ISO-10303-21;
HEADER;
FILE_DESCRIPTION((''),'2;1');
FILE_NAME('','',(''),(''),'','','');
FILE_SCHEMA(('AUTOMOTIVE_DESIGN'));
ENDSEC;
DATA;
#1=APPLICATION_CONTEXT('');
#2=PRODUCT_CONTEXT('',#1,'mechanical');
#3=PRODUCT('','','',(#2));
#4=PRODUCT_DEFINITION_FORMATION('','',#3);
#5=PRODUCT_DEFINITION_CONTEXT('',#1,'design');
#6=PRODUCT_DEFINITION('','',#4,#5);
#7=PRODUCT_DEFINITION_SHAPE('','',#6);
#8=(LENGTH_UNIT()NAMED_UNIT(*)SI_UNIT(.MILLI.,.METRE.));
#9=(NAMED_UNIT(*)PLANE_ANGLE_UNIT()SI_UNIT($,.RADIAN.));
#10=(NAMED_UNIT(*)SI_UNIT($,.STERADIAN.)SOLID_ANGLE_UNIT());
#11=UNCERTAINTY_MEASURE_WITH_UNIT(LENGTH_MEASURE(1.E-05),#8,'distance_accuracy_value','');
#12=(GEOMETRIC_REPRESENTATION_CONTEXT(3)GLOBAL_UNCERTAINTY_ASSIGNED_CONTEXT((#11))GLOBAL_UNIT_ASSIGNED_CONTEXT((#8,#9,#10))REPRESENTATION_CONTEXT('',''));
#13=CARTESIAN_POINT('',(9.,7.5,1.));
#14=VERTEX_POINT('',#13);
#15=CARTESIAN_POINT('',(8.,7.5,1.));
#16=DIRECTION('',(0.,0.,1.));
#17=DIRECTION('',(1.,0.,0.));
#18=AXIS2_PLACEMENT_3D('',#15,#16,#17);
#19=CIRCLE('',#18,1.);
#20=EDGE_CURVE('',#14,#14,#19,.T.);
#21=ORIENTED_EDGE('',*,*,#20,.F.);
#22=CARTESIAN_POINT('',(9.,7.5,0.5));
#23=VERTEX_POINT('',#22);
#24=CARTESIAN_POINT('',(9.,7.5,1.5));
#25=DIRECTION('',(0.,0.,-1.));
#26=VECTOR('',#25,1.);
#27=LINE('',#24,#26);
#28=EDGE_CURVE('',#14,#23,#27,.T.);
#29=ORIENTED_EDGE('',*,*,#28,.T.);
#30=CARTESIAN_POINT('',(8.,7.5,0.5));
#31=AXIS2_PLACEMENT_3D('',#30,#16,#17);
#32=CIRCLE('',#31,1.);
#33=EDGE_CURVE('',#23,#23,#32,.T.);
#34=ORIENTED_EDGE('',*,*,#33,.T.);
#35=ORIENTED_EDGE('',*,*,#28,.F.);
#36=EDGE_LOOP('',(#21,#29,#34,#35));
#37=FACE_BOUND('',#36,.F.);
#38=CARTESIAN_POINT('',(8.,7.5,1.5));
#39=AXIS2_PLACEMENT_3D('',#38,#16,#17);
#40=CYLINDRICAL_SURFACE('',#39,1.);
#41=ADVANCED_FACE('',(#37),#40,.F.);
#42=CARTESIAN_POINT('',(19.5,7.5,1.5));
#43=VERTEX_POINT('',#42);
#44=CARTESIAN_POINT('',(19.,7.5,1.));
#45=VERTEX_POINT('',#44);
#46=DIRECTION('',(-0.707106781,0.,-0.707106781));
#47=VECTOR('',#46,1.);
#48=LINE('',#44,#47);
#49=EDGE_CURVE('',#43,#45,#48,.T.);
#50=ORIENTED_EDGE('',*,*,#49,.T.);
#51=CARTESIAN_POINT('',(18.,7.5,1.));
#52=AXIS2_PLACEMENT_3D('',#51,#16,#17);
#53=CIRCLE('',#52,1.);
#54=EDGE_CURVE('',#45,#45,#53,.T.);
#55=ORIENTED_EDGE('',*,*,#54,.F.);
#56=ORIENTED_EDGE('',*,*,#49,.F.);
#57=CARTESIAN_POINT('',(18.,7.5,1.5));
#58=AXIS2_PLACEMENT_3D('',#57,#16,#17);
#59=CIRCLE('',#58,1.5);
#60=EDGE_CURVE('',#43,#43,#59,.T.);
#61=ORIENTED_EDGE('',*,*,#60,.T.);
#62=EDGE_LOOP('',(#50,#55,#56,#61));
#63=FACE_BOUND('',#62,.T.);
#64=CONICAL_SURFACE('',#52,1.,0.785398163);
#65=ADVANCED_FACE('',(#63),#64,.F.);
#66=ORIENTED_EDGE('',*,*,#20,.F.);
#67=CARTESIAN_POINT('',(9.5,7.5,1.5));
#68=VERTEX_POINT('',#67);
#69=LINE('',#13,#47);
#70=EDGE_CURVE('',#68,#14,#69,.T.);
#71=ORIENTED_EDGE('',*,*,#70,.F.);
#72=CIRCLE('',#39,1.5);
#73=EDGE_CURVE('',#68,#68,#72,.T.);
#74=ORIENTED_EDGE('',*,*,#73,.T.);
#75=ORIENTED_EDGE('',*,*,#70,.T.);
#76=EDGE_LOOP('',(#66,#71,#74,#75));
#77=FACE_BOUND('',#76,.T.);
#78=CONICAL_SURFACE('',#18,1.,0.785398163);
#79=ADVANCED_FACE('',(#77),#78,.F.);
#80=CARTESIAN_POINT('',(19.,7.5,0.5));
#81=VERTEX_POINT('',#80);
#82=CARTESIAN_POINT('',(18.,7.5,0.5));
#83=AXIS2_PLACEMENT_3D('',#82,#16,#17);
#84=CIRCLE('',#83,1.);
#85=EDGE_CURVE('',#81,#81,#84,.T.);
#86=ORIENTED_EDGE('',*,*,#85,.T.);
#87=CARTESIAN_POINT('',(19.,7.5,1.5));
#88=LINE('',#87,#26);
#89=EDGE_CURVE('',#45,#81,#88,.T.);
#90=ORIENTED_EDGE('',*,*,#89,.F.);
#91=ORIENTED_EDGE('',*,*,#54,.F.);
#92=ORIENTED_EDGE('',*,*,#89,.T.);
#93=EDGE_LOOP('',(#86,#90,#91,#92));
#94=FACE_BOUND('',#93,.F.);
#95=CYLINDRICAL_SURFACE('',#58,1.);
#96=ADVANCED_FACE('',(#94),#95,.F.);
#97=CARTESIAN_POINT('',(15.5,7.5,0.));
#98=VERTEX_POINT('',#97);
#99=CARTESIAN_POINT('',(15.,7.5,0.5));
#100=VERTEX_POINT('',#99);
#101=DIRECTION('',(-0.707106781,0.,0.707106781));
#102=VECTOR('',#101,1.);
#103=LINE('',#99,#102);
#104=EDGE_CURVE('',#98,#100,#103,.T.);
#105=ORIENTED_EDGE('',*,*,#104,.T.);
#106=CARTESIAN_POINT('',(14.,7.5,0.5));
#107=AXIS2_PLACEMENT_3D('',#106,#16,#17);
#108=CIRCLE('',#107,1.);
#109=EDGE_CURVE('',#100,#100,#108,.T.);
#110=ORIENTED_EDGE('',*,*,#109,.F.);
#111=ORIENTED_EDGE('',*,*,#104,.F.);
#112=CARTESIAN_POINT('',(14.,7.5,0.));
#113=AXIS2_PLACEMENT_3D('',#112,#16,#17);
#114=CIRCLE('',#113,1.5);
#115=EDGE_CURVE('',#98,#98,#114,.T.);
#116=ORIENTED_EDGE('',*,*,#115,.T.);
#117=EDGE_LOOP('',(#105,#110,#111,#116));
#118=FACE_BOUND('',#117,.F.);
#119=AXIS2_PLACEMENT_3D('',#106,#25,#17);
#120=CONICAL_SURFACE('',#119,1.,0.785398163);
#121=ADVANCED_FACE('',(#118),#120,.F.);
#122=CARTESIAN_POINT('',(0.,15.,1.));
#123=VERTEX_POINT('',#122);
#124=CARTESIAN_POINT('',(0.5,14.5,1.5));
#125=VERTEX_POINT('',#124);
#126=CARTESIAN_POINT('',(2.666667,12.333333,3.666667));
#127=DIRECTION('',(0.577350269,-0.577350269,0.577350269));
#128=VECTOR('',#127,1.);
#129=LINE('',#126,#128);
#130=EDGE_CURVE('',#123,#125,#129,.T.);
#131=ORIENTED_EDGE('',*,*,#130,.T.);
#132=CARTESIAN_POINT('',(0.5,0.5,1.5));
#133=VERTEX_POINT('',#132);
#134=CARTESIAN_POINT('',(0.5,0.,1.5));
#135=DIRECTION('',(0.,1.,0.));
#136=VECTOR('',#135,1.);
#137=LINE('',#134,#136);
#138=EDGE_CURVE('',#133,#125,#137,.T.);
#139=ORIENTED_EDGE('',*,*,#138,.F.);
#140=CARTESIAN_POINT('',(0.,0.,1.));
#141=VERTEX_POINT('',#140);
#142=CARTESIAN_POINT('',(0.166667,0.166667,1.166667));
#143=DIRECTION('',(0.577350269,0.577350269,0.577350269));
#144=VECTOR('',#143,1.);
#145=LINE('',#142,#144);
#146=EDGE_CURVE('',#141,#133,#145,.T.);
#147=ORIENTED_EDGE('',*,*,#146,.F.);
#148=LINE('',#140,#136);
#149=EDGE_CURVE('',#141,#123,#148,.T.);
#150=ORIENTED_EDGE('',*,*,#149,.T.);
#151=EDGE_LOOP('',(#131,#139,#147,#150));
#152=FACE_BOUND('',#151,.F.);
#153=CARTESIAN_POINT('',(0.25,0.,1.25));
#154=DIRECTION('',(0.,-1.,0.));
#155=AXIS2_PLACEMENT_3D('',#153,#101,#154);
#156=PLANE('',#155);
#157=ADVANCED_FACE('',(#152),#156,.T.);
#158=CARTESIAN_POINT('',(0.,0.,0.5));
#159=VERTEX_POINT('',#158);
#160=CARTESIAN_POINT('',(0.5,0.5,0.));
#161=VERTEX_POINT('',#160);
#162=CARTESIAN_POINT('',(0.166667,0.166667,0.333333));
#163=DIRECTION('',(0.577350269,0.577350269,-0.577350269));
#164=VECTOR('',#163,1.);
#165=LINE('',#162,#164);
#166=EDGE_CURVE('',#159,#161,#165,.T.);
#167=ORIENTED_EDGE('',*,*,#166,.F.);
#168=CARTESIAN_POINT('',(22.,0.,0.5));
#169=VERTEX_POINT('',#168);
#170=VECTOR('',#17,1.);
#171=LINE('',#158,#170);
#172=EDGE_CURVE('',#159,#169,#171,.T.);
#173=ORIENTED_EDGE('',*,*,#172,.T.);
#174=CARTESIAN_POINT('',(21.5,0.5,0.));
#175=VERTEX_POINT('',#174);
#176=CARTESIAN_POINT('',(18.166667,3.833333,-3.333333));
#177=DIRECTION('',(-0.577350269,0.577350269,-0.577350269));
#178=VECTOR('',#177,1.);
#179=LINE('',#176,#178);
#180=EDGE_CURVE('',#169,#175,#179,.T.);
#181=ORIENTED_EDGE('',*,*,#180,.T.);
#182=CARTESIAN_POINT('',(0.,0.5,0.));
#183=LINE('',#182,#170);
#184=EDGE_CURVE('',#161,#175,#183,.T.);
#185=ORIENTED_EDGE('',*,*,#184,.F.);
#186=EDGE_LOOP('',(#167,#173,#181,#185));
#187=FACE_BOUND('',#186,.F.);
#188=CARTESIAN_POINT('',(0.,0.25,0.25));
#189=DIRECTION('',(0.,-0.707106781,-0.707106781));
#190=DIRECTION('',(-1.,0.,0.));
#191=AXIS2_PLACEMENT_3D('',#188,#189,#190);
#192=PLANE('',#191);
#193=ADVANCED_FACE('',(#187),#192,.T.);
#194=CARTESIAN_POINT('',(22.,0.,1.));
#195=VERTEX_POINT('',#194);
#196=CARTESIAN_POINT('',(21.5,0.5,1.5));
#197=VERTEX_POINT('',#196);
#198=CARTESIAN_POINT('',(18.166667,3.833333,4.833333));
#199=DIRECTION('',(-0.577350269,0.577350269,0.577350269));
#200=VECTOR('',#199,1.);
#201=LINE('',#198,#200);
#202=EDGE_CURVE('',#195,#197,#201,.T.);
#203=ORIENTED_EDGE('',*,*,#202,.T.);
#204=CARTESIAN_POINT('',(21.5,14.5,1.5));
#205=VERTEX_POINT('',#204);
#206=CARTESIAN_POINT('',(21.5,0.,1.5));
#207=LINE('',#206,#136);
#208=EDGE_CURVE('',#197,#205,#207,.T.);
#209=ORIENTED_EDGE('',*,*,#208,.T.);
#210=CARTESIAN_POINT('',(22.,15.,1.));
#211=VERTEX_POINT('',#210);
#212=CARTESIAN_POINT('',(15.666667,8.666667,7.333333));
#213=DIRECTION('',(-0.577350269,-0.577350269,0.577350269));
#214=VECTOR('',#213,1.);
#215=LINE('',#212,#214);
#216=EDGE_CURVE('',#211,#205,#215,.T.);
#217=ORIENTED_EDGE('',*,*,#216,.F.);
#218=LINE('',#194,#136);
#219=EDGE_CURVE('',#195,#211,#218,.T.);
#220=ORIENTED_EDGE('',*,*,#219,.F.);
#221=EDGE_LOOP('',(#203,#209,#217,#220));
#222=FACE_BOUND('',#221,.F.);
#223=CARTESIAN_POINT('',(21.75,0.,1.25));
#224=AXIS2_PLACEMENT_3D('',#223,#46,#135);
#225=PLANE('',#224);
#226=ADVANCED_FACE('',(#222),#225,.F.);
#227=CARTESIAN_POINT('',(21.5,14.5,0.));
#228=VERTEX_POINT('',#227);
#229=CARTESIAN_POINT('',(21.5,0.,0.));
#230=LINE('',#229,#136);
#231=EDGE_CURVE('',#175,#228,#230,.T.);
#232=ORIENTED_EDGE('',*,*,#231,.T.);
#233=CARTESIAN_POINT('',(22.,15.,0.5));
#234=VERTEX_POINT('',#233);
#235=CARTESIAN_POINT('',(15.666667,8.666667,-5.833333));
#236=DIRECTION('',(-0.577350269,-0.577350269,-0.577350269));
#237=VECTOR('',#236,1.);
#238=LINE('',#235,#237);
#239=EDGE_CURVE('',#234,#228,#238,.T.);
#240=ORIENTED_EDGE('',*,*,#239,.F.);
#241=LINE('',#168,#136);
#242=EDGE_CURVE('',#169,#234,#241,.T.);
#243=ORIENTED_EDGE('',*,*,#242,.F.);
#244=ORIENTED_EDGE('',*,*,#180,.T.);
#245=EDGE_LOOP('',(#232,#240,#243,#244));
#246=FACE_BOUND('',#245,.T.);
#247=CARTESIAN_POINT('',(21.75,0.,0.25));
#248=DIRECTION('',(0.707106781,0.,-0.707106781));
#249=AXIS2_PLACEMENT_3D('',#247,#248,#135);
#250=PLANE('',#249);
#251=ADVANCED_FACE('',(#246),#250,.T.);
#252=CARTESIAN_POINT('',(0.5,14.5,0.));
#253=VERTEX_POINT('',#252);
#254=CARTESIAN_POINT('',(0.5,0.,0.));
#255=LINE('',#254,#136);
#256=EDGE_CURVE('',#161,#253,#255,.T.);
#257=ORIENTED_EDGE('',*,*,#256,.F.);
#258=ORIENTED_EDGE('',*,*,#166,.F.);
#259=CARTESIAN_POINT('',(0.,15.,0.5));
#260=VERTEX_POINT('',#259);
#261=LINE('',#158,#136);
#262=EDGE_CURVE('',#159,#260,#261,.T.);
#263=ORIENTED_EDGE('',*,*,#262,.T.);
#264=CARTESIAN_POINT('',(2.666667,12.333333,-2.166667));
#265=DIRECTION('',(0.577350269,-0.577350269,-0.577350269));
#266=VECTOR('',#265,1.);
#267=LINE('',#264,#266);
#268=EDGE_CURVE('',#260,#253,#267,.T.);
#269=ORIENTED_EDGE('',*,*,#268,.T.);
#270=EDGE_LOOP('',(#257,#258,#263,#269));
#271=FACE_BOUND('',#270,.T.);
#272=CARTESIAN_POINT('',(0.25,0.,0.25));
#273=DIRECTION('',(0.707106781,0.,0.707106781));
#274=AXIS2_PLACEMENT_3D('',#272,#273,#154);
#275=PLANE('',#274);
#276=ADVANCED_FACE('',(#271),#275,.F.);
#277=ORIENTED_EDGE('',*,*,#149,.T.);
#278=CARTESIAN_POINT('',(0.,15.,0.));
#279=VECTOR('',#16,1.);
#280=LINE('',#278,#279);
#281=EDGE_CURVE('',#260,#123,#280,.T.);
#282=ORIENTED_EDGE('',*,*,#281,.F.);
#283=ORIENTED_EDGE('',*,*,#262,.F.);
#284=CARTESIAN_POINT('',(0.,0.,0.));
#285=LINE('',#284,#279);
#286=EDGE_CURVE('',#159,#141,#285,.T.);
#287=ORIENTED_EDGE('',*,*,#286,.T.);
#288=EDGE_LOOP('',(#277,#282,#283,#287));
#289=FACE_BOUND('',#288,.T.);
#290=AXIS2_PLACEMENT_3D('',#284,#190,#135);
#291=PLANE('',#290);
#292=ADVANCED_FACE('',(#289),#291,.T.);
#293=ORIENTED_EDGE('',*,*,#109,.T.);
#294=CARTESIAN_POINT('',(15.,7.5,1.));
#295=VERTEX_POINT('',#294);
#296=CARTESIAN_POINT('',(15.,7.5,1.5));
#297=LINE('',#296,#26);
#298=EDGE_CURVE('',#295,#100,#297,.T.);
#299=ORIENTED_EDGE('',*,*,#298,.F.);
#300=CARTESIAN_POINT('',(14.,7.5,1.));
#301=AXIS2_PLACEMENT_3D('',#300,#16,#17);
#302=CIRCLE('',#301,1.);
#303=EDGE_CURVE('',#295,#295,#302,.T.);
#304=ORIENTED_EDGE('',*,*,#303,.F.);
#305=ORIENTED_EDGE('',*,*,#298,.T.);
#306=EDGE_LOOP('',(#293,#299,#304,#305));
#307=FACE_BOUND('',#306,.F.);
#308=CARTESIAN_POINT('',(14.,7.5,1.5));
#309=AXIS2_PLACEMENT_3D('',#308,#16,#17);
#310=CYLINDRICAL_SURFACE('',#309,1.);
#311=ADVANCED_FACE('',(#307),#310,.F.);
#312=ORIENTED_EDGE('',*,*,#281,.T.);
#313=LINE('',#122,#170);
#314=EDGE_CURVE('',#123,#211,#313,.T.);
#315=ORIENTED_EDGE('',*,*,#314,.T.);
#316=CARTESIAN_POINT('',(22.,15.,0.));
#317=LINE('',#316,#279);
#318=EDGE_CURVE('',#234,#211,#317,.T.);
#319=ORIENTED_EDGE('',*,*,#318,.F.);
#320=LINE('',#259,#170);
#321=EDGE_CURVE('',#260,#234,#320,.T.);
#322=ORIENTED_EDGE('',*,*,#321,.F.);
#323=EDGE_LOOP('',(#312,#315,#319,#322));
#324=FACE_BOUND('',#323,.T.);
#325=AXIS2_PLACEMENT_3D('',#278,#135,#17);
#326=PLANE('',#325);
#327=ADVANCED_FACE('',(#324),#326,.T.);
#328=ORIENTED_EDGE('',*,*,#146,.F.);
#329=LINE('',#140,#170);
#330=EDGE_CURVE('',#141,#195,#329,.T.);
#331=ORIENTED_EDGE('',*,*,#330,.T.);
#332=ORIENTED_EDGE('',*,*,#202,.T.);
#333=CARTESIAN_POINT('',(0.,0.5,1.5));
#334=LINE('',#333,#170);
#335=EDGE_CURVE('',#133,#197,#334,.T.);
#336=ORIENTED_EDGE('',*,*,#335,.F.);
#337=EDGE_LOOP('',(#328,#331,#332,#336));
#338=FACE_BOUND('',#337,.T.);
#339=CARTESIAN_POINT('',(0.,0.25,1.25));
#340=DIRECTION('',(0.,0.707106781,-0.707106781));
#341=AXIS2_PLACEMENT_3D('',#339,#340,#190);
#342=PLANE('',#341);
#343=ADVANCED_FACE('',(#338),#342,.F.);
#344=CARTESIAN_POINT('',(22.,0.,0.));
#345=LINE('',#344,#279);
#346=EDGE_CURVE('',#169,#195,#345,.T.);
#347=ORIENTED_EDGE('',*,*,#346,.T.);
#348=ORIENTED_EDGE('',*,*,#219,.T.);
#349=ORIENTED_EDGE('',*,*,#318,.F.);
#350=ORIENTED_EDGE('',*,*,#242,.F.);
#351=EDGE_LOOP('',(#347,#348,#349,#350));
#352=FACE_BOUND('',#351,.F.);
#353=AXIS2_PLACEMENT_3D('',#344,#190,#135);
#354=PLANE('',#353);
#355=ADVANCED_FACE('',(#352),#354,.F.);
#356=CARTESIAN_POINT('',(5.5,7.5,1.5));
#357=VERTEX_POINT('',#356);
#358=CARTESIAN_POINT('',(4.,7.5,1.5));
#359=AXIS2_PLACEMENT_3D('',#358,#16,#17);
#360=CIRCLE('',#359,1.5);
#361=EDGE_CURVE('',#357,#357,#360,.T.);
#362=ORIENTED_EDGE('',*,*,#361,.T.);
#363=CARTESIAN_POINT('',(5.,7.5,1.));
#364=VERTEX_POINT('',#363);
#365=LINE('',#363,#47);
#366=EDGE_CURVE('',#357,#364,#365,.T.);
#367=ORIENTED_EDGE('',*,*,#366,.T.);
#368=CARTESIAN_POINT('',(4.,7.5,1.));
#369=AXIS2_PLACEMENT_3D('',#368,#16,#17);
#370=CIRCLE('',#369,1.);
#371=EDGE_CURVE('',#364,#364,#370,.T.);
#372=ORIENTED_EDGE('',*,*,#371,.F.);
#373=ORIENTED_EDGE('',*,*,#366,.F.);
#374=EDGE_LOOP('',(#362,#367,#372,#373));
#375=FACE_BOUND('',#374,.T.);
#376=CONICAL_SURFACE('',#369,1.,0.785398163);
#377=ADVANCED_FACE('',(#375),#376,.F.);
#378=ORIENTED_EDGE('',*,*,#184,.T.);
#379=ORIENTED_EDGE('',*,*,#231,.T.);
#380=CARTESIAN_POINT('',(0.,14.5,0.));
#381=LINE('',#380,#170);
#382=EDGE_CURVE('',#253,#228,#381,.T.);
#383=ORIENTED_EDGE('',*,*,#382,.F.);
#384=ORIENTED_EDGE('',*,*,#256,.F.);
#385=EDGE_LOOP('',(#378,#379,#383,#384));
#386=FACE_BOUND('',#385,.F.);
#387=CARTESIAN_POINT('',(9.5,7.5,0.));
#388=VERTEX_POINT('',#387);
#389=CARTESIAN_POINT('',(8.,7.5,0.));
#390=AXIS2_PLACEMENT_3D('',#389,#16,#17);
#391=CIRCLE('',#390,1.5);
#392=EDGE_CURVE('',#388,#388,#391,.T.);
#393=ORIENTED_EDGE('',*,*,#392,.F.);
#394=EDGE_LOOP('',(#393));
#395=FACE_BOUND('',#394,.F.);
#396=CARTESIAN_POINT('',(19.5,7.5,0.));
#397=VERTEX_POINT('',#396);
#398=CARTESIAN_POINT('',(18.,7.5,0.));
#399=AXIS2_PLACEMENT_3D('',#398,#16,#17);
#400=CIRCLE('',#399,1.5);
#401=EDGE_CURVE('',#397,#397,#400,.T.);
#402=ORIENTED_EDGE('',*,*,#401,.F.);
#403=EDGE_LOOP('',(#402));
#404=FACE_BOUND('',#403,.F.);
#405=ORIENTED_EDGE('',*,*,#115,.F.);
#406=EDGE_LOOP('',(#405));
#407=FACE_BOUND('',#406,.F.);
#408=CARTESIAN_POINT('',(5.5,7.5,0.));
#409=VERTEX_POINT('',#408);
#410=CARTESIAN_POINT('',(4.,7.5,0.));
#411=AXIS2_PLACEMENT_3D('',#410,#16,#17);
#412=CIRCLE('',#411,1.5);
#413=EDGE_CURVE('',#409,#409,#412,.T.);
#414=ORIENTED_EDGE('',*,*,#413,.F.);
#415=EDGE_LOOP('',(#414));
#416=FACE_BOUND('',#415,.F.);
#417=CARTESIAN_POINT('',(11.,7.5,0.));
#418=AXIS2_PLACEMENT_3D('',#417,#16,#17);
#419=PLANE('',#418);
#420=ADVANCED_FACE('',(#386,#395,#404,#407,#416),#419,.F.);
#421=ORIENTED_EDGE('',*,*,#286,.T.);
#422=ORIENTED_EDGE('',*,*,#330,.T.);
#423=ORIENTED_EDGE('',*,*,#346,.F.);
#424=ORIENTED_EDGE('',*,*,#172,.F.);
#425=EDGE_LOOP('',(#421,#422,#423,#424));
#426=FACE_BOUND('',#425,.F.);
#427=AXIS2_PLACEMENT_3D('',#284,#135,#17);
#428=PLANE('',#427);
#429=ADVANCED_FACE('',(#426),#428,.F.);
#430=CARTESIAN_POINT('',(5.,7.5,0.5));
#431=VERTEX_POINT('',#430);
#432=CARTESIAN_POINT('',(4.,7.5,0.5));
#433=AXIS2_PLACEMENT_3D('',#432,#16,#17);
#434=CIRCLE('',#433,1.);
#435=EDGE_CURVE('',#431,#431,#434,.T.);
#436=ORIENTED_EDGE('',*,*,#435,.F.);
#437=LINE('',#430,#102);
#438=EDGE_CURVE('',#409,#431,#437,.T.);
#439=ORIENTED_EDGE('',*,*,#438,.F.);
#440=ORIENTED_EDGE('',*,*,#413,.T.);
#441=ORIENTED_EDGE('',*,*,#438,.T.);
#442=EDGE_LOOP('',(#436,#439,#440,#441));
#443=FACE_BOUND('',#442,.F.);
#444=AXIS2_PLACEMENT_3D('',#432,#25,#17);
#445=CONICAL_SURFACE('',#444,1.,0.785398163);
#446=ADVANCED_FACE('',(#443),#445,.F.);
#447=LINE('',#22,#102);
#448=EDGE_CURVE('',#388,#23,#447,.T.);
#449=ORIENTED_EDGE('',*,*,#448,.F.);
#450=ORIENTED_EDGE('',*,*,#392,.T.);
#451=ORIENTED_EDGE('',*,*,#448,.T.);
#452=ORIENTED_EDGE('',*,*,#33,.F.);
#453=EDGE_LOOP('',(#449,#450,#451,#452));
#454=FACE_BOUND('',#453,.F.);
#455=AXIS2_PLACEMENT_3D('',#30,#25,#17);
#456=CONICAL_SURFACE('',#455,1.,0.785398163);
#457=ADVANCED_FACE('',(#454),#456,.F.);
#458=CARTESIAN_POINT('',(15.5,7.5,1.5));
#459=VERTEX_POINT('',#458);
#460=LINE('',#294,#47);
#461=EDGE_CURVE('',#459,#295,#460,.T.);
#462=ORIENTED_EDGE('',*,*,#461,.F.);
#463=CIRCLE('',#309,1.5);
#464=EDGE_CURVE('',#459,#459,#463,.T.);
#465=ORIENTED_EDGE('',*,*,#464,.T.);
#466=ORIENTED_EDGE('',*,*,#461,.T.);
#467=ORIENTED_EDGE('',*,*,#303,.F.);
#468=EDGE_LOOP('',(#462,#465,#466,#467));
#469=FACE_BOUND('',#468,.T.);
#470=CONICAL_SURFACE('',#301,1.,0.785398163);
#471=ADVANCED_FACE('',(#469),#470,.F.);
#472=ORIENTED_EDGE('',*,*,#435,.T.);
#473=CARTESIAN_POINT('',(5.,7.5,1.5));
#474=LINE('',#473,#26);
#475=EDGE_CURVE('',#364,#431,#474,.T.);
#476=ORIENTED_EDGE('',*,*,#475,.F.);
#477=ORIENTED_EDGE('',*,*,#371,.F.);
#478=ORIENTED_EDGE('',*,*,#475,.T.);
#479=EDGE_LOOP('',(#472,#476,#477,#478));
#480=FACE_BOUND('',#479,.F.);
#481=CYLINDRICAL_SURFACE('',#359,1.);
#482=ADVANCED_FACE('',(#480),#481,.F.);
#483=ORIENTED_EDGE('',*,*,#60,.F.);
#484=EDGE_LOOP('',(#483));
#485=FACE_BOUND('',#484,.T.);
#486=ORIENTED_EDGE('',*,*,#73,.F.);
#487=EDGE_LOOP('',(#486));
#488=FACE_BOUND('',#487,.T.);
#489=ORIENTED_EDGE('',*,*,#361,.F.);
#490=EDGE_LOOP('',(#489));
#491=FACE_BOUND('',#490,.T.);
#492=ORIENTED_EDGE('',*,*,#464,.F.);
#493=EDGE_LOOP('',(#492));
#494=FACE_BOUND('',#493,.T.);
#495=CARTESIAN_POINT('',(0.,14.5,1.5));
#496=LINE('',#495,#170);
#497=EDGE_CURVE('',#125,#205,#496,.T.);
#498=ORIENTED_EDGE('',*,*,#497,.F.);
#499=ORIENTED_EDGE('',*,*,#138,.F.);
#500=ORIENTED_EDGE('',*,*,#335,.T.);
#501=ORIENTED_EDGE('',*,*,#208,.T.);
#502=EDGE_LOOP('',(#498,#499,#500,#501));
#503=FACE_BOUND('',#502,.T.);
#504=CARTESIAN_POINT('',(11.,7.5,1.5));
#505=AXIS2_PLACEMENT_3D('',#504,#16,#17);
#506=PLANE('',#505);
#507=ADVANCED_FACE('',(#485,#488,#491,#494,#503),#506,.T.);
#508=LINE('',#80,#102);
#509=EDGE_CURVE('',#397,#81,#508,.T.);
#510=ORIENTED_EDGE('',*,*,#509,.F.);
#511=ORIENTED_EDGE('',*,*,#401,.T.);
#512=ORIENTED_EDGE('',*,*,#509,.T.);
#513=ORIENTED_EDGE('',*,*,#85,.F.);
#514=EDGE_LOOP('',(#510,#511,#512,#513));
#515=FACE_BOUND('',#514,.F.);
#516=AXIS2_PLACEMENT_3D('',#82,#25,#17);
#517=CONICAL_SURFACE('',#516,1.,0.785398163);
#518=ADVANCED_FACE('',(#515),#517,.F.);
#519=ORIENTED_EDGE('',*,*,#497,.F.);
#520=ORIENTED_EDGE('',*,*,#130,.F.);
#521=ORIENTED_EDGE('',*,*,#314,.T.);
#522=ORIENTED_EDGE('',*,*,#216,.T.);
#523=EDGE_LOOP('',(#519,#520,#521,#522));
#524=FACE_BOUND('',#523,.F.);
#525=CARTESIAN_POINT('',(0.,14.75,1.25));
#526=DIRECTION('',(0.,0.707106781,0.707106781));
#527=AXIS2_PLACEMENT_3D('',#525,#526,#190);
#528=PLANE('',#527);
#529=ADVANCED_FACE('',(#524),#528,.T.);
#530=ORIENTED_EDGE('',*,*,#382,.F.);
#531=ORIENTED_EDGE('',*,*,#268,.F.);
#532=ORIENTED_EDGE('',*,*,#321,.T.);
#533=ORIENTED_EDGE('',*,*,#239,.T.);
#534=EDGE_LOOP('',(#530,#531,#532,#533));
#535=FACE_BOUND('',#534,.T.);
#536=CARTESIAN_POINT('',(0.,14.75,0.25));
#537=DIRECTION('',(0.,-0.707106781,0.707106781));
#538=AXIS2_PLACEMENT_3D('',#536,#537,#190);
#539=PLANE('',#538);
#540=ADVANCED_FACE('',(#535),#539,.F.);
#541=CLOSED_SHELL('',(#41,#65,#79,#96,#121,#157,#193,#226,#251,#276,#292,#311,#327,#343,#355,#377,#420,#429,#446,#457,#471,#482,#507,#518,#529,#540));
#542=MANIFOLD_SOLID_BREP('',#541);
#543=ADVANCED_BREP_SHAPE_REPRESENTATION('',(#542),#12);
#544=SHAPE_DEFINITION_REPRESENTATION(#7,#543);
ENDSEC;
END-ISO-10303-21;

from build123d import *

# Parameters (mm, degrees)
F0_W     = 22
F0_H     = 15
F1_DEPTH = 1.5
F2_R     = 1
F3_DEPTH = 1.501
F4_SIZE  = 0.5


with BuildPart() as f1:
    # F0 (on Top) → F1 (new body)
    with BuildSketch(Plane.XY):
        with Locations((11, 7.5)):
            Rectangle(F0_W, F0_H)
    extrude(amount=F1_DEPTH)

    # F2 (on face) → F3 (cut, through all)
    with BuildSketch(Plane.XY.offset(1.5)):
        with Locations((4, 7.5)):
            Circle(F2_R)
        with Locations((8, 7.5)):
            Circle(F2_R)
        with Locations((14, 7.5)):
            Circle(F2_R)
        with Locations((18, 7.5)):
            Circle(F2_R)
    extrude(amount=-F3_DEPTH, mode=Mode.SUBTRACT)

    # F4
    f4_edges = [f1.edges().sort_by_distance(p)[0] for p in [
        (0, 7.5, 1.5),
        (11, 15, 1.5),
        (11, 0, 1.5),
        (22, 7.5, 1.5),
        (3, 7.5, 1.5),
        (7, 7.5, 1.5),
        (13, 7.5, 1.5),
        (17, 7.5, 1.5),
        (0, 7.5, 0),
        (11, 15, 0),
        (11, 0, 0),
        (22, 7.5, 0),
        (3, 7.5, 0),
        (7, 7.5, 0),
        (13, 7.5, 0),
        (17, 7.5, 0),
    ]]
    chamfer(f4_edges, length=F4_SIZE)


solid = f1.part
